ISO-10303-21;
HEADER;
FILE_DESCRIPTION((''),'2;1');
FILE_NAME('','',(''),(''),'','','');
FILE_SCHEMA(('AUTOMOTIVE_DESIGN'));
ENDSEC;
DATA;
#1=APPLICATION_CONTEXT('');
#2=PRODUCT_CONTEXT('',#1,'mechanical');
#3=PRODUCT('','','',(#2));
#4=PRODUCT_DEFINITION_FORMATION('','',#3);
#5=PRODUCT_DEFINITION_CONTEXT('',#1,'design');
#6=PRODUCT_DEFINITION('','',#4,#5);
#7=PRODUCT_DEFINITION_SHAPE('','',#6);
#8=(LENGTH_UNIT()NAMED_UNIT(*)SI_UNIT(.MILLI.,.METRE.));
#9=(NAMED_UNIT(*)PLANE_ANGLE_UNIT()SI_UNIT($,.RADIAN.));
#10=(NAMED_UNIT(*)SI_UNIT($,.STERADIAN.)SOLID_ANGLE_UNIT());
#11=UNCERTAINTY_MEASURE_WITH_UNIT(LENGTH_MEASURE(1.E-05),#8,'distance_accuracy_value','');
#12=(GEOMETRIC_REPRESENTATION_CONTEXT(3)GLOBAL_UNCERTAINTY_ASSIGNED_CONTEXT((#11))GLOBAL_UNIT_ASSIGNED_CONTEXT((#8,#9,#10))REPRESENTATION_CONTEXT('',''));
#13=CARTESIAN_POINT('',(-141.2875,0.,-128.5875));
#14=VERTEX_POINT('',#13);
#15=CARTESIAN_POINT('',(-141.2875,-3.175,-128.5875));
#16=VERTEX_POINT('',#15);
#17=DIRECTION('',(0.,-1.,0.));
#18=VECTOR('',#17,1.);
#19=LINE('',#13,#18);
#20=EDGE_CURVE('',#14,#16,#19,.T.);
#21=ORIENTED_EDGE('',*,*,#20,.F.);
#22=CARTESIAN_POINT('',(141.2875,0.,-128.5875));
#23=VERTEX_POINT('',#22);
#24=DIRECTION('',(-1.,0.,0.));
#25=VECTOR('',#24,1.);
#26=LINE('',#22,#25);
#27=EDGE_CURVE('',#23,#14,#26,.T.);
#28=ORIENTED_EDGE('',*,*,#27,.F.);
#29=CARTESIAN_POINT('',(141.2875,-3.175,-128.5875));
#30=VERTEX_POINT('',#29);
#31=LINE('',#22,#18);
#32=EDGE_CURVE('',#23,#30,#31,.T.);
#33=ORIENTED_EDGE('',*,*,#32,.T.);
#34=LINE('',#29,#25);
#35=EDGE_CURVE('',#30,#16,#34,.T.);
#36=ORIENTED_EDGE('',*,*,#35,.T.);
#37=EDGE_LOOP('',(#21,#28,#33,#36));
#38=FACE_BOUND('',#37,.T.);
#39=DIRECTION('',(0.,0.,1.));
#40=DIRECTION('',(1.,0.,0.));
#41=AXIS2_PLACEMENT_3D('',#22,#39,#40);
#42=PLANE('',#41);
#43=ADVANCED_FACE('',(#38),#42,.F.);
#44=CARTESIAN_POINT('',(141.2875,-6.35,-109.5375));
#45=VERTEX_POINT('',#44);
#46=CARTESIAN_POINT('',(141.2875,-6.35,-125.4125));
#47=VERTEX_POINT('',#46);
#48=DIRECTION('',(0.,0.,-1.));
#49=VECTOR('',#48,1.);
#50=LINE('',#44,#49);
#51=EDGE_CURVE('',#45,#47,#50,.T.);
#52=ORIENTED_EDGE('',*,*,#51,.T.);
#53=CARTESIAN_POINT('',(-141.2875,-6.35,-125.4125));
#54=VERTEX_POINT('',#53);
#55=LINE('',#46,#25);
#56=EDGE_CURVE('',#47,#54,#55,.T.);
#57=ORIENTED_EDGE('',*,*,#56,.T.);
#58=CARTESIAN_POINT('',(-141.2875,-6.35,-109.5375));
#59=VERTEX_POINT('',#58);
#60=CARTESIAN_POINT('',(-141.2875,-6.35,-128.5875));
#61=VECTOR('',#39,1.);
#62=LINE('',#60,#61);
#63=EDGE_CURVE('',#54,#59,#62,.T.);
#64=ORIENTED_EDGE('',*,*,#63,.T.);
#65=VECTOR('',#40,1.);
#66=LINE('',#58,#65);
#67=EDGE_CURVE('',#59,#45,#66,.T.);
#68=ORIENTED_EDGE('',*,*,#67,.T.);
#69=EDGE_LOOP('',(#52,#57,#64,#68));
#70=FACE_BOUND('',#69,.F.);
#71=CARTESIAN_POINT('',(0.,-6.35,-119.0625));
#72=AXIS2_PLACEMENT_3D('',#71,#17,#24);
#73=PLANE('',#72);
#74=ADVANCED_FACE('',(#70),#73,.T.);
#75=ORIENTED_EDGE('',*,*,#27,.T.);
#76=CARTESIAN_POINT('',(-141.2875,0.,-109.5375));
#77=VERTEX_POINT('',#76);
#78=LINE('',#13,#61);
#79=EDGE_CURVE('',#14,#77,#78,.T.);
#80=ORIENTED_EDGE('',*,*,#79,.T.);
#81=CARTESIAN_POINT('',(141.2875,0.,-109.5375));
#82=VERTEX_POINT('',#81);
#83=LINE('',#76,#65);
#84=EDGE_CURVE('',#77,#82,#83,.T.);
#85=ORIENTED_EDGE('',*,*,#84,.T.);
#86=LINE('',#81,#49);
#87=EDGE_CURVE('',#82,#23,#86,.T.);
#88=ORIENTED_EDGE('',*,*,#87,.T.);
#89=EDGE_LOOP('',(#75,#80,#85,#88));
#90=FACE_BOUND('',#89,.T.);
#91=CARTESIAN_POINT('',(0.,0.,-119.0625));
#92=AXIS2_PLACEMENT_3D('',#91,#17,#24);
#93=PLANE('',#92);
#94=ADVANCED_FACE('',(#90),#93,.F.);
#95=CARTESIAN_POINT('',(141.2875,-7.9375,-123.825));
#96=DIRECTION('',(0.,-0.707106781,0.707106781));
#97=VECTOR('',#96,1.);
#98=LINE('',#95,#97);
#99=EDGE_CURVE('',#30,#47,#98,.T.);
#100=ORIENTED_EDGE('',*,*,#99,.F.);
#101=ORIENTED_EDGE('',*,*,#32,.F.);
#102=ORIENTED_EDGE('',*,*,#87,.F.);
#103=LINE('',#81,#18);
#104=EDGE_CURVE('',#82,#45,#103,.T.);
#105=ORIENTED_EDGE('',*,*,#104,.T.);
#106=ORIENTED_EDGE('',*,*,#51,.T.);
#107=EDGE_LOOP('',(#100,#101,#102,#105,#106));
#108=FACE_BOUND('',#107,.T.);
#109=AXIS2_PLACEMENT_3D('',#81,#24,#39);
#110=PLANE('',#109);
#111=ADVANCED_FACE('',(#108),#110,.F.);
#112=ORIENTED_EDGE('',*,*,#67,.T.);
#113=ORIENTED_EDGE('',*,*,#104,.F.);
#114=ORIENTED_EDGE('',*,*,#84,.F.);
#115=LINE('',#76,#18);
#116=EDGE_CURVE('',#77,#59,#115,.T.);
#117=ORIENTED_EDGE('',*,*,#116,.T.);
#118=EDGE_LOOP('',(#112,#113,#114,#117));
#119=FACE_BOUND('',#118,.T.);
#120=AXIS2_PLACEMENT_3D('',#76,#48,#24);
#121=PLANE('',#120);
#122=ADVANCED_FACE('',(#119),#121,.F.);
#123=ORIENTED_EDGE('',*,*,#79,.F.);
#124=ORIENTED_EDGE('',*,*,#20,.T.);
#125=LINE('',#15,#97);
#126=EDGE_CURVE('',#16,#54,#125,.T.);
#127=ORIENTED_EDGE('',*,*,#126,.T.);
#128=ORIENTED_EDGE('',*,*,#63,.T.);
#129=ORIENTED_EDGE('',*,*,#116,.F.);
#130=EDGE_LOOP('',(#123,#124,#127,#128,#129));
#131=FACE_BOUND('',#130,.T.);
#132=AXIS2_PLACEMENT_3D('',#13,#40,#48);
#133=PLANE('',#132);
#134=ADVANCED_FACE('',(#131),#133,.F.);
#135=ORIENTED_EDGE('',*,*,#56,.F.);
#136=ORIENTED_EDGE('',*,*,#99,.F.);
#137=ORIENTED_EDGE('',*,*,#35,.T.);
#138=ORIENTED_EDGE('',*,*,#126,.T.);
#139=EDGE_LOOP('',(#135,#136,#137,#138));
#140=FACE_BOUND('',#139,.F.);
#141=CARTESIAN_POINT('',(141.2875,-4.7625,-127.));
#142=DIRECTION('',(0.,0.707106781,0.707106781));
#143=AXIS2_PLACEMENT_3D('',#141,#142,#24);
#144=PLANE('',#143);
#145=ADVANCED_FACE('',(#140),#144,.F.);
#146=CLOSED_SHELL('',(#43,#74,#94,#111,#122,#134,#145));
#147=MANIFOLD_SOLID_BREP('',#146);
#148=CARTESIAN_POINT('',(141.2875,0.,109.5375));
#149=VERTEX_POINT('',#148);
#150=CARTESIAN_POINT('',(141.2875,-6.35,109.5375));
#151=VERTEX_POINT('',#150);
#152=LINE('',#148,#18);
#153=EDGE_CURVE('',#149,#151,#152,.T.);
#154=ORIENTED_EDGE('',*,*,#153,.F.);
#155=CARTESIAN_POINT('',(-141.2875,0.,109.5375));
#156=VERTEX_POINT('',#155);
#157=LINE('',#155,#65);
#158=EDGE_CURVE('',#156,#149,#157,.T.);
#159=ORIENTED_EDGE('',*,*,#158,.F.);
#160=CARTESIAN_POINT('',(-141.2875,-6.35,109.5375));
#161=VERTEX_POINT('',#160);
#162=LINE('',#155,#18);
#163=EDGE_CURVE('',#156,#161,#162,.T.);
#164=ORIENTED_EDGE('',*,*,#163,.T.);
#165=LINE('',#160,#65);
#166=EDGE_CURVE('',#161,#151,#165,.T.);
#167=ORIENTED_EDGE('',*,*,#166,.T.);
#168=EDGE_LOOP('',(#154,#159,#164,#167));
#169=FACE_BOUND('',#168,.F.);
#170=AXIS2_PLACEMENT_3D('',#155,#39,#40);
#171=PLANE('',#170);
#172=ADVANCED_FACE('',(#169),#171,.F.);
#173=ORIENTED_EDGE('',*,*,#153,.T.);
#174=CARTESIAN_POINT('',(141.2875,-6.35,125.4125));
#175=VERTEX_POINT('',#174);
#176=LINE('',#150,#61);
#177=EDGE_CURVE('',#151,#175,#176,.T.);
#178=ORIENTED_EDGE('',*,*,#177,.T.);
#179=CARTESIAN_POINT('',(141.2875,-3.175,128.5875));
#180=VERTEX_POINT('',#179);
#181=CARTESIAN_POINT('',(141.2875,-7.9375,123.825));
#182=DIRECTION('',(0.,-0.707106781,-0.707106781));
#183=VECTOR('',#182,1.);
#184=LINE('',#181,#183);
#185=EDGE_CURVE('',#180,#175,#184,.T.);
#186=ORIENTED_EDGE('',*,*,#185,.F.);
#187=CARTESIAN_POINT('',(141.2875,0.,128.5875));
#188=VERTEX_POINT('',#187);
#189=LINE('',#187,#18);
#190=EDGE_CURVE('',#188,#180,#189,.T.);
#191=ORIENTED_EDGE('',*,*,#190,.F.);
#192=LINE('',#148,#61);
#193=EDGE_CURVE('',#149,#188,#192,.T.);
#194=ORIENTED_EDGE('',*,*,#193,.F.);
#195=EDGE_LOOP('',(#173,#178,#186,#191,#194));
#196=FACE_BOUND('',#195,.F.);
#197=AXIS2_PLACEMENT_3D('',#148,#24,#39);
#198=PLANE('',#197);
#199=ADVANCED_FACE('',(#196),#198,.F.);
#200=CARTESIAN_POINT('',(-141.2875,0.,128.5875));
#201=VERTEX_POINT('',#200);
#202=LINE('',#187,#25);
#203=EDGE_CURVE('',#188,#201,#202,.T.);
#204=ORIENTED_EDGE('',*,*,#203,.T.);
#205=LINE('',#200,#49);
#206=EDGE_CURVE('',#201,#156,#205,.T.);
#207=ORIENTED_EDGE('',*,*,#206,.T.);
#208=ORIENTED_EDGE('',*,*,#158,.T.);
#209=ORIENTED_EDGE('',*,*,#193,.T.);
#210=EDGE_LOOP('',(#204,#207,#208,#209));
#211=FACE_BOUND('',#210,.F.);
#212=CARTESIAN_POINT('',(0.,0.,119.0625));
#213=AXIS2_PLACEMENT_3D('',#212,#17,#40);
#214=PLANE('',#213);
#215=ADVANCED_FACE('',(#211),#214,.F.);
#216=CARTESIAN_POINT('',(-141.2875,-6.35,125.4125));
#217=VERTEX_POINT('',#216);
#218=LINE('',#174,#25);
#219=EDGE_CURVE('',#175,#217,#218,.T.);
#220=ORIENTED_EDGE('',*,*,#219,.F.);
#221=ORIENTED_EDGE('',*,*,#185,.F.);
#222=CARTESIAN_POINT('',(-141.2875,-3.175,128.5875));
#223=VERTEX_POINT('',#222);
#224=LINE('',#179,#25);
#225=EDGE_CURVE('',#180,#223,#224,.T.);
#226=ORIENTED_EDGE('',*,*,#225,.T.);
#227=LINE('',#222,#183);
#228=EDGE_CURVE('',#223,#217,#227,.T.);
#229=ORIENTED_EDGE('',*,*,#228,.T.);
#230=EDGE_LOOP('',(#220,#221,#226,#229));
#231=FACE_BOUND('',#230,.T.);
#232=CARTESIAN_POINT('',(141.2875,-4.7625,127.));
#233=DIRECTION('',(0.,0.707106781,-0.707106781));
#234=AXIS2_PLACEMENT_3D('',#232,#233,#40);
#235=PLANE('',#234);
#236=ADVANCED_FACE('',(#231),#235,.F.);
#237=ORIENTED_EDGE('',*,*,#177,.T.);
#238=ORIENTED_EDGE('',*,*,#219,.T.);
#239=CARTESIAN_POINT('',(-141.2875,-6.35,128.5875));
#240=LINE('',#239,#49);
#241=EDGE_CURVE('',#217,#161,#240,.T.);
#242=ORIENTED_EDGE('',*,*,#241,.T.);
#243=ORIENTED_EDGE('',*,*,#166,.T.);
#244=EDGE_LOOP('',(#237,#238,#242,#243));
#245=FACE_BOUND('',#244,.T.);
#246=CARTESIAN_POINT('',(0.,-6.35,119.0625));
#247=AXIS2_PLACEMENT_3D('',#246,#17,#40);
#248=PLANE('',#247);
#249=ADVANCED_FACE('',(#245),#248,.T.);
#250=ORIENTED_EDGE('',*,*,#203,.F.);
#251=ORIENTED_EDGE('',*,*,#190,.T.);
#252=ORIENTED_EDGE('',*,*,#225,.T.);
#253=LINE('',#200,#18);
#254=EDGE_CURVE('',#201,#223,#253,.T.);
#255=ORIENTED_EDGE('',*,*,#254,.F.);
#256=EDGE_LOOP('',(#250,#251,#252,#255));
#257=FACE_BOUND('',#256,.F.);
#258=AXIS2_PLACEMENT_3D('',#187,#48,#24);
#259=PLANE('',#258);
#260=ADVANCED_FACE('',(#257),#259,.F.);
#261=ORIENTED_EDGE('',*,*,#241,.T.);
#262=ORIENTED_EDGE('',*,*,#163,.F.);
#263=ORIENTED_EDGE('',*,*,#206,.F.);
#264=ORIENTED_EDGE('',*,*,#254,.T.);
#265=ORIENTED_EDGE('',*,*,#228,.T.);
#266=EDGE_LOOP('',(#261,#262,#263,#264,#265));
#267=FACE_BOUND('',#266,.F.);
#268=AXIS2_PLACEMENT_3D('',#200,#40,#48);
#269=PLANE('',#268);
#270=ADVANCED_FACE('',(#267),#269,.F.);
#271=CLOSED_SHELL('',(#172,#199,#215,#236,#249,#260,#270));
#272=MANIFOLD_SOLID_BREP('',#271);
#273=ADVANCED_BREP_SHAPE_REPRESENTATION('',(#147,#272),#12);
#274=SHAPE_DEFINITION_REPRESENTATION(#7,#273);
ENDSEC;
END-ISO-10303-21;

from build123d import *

# Parameters (mm, degrees)
F1_DEPTH = 6.35
F2_SIZE  = 3.175


with BuildPart() as f1:
    # F0 (on Front) → F1 (new body)
    with BuildSketch(Plane.XZ):
        Polygon((-50.684446, 128.5875), (-141.2875, 128.5875), (-141.2875, 109.5375), (141.2875, 109.5375), (141.2875, 128.5875), (0, 128.5875), align=None)
    extrude(amount=F1_DEPTH)

    # F2
    f2_edges = [f1.edges().sort_by_distance(p)[0] for p in [
        (0, -6.35, 128.5875),
    ]]
    chamfer(f2_edges, length=F2_SIZE)


with BuildPart() as f3_1:
    # F3: instance of F1
    add(f1.part.mirror(Plane.XY))


solid = Compound([f1.part, f3_1.part])
